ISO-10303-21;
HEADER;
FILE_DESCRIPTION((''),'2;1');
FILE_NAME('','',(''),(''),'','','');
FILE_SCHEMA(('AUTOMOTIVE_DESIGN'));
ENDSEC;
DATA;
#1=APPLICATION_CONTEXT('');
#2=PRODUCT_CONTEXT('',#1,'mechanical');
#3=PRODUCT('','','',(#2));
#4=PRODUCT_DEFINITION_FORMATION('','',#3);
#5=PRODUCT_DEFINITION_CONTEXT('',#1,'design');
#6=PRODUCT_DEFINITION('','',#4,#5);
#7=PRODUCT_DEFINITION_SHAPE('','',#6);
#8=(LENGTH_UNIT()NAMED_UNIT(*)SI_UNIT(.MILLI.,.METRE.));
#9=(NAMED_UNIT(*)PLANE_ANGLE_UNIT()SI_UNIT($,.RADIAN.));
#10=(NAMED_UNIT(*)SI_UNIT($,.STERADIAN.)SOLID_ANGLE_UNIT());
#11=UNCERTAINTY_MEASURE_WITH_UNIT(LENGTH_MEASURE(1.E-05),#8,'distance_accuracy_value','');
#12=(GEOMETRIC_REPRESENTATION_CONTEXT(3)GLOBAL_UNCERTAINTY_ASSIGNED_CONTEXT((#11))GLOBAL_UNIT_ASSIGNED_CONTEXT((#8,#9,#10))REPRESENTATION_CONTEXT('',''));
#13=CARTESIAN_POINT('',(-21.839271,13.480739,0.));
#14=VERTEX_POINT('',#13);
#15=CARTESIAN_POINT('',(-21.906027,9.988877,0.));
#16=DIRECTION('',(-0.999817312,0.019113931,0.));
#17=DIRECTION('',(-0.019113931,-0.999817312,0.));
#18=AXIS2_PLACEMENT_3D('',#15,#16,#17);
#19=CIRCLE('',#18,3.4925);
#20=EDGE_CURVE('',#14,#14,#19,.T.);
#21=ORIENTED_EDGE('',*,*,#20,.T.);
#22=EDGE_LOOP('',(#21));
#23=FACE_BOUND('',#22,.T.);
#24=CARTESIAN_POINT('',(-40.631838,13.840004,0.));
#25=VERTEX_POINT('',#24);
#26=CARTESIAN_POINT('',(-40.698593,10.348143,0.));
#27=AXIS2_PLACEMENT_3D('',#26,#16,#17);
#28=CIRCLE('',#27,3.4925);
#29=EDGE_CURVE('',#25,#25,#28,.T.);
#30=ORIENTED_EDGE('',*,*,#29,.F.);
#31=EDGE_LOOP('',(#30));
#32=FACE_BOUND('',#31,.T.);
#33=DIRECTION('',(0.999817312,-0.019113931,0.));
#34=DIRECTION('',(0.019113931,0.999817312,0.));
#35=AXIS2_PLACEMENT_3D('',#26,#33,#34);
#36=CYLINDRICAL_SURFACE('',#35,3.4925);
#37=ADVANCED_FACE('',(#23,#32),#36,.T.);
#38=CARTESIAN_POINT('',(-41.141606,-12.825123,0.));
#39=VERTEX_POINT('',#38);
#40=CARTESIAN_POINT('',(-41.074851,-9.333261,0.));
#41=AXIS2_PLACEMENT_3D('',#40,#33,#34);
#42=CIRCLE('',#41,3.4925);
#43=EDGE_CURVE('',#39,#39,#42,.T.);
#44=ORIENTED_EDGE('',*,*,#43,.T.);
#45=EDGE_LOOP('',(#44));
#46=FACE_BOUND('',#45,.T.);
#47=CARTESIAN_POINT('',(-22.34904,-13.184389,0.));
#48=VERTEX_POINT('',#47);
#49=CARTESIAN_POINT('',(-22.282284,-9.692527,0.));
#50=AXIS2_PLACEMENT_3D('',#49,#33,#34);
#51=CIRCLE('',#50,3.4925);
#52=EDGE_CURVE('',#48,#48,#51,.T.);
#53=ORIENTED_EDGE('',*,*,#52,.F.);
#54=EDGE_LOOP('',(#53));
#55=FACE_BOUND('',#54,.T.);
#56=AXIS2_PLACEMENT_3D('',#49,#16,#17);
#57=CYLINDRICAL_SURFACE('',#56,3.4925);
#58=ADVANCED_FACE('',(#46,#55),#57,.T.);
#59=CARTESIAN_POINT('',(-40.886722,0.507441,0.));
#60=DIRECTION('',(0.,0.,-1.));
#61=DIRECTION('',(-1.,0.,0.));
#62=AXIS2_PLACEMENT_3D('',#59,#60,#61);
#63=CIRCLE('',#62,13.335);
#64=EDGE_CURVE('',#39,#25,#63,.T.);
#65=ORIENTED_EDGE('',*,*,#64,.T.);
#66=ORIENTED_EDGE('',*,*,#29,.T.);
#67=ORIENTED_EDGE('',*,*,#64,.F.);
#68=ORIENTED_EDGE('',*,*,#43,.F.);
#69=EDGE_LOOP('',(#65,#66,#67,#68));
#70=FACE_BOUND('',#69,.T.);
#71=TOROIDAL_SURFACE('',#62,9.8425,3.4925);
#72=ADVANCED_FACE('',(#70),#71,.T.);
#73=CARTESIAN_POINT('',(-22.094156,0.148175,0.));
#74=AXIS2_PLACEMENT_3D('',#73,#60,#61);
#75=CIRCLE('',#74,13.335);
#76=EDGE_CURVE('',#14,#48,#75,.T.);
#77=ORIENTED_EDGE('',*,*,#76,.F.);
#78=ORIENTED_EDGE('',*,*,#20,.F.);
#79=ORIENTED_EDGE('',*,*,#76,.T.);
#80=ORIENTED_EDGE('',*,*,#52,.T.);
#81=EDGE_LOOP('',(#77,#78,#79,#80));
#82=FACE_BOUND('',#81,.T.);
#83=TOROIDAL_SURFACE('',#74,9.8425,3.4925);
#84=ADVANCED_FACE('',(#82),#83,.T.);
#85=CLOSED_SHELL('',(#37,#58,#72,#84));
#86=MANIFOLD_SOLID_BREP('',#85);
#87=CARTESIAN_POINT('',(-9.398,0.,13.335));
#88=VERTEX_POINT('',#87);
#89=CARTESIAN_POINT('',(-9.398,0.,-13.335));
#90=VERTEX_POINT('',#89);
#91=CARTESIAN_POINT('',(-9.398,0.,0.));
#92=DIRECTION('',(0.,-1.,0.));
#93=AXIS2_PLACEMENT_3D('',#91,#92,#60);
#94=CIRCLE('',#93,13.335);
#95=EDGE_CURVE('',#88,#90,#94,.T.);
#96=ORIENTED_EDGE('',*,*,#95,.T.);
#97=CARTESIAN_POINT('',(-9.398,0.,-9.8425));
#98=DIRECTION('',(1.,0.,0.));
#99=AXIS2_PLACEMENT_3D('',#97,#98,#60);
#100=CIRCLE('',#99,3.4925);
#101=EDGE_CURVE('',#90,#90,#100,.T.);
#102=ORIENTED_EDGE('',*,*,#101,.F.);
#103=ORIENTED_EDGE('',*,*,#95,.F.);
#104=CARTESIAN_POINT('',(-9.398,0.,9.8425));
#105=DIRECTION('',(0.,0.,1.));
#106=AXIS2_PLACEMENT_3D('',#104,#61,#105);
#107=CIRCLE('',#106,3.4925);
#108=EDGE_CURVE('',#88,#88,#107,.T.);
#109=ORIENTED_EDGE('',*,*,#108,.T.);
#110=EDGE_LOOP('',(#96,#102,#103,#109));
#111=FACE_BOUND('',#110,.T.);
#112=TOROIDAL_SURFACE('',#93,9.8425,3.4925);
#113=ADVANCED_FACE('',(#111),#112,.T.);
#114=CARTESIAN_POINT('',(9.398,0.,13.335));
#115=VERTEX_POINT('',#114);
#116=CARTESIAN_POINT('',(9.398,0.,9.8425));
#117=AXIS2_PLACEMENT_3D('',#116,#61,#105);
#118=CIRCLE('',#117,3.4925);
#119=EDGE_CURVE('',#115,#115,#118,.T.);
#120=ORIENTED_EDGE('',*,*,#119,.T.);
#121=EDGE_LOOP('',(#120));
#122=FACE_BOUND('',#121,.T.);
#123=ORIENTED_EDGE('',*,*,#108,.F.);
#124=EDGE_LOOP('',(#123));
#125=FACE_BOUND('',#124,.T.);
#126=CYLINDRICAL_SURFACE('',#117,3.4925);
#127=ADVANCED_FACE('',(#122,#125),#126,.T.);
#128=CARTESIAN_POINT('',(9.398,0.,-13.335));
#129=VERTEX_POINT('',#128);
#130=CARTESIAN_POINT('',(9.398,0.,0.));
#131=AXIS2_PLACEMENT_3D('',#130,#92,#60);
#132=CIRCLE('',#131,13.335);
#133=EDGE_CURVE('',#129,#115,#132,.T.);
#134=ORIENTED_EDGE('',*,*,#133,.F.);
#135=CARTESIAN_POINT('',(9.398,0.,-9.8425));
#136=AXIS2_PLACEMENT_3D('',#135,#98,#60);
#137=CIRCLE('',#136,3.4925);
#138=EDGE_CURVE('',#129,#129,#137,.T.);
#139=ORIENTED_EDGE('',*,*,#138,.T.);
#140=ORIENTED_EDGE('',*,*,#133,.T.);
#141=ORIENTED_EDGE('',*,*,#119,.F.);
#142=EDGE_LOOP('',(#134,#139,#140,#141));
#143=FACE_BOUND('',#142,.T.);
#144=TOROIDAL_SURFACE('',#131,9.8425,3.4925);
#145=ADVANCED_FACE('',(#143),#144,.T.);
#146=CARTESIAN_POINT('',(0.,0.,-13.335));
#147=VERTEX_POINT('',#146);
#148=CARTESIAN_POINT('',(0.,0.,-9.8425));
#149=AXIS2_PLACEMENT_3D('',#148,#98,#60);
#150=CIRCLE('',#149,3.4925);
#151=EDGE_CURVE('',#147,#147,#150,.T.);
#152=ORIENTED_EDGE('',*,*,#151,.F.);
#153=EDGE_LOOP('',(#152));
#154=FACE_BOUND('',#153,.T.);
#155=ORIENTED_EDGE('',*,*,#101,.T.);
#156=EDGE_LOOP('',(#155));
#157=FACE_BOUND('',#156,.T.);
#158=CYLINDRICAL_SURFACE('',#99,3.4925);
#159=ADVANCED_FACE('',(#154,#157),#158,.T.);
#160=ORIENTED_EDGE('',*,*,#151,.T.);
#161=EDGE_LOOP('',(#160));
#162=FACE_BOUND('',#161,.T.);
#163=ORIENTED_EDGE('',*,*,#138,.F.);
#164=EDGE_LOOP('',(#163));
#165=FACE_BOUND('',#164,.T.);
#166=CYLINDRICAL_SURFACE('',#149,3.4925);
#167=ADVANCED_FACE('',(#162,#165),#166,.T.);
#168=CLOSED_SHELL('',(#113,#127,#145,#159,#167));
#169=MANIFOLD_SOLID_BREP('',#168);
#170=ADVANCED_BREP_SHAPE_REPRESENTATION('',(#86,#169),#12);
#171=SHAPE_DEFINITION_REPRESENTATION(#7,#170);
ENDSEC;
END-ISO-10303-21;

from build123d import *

# Parameters (mm, degrees)
SKETCH2_R = 3.4925
SKETCH6_R = 3.4925


with BuildPart() as part:
    # Sweep1: sweep along a path in Sketch1
    with BuildLine(Plane(origin=(0, 0, 0), x_dir=(1, 0, 0), z_dir=(0, 1, 0))) as sweep1_path:
        Line((9.398, 9.8425), (-9.398, 9.8425))
        ThreePointArc((-9.398, 9.8425), (-19.2405, 0), (-9.398, -9.8425))
        Line((-9.398, -9.8425), (9.398, -9.8425))
        ThreePointArc((9.398, -9.8425), (19.2405, 0), (9.398, 9.8425))
    # Sketch2 → Sweep1 (sweep)
    with BuildSketch(Plane(origin=(0, 0, 0), x_dir=(0, 0, -1), z_dir=(1, 0, 0))):
        with Locations((9.8425, 0)):
            Circle(SKETCH2_R)
    sweep(path=sweep1_path.line)


with BuildPart() as body_2:
    # Sweep2: sweep along a path in Sketch5
    with BuildLine(Plane.XY) as sweep2_path:
        Line((-21.906026745, 9.98887708), (-40.698592944, 10.348142532))
        ThreePointArc((-40.698592944, 10.348142532), (-50.727423708, 0.695569507), (-41.074850682, -9.333261257))
        Line((-41.074850682, -9.333261257), (-22.282284483, -9.69252671))
        ThreePointArc((-22.282284483, -9.69252671), (-12.25345372, -0.039953684), (-21.906026745, 9.98887708))
    # Sketch6 → Sweep2 (sweep)
    with BuildSketch(Plane(origin=(-21.906026745, 9.98887708, 0), x_dir=(0, 0, 1), z_dir=(-0.9998173121277764, 0.0191139312960121, 0))):
        Circle(SKETCH6_R)
    sweep(path=sweep2_path.line)


solid = Compound([part.part, body_2.part])
